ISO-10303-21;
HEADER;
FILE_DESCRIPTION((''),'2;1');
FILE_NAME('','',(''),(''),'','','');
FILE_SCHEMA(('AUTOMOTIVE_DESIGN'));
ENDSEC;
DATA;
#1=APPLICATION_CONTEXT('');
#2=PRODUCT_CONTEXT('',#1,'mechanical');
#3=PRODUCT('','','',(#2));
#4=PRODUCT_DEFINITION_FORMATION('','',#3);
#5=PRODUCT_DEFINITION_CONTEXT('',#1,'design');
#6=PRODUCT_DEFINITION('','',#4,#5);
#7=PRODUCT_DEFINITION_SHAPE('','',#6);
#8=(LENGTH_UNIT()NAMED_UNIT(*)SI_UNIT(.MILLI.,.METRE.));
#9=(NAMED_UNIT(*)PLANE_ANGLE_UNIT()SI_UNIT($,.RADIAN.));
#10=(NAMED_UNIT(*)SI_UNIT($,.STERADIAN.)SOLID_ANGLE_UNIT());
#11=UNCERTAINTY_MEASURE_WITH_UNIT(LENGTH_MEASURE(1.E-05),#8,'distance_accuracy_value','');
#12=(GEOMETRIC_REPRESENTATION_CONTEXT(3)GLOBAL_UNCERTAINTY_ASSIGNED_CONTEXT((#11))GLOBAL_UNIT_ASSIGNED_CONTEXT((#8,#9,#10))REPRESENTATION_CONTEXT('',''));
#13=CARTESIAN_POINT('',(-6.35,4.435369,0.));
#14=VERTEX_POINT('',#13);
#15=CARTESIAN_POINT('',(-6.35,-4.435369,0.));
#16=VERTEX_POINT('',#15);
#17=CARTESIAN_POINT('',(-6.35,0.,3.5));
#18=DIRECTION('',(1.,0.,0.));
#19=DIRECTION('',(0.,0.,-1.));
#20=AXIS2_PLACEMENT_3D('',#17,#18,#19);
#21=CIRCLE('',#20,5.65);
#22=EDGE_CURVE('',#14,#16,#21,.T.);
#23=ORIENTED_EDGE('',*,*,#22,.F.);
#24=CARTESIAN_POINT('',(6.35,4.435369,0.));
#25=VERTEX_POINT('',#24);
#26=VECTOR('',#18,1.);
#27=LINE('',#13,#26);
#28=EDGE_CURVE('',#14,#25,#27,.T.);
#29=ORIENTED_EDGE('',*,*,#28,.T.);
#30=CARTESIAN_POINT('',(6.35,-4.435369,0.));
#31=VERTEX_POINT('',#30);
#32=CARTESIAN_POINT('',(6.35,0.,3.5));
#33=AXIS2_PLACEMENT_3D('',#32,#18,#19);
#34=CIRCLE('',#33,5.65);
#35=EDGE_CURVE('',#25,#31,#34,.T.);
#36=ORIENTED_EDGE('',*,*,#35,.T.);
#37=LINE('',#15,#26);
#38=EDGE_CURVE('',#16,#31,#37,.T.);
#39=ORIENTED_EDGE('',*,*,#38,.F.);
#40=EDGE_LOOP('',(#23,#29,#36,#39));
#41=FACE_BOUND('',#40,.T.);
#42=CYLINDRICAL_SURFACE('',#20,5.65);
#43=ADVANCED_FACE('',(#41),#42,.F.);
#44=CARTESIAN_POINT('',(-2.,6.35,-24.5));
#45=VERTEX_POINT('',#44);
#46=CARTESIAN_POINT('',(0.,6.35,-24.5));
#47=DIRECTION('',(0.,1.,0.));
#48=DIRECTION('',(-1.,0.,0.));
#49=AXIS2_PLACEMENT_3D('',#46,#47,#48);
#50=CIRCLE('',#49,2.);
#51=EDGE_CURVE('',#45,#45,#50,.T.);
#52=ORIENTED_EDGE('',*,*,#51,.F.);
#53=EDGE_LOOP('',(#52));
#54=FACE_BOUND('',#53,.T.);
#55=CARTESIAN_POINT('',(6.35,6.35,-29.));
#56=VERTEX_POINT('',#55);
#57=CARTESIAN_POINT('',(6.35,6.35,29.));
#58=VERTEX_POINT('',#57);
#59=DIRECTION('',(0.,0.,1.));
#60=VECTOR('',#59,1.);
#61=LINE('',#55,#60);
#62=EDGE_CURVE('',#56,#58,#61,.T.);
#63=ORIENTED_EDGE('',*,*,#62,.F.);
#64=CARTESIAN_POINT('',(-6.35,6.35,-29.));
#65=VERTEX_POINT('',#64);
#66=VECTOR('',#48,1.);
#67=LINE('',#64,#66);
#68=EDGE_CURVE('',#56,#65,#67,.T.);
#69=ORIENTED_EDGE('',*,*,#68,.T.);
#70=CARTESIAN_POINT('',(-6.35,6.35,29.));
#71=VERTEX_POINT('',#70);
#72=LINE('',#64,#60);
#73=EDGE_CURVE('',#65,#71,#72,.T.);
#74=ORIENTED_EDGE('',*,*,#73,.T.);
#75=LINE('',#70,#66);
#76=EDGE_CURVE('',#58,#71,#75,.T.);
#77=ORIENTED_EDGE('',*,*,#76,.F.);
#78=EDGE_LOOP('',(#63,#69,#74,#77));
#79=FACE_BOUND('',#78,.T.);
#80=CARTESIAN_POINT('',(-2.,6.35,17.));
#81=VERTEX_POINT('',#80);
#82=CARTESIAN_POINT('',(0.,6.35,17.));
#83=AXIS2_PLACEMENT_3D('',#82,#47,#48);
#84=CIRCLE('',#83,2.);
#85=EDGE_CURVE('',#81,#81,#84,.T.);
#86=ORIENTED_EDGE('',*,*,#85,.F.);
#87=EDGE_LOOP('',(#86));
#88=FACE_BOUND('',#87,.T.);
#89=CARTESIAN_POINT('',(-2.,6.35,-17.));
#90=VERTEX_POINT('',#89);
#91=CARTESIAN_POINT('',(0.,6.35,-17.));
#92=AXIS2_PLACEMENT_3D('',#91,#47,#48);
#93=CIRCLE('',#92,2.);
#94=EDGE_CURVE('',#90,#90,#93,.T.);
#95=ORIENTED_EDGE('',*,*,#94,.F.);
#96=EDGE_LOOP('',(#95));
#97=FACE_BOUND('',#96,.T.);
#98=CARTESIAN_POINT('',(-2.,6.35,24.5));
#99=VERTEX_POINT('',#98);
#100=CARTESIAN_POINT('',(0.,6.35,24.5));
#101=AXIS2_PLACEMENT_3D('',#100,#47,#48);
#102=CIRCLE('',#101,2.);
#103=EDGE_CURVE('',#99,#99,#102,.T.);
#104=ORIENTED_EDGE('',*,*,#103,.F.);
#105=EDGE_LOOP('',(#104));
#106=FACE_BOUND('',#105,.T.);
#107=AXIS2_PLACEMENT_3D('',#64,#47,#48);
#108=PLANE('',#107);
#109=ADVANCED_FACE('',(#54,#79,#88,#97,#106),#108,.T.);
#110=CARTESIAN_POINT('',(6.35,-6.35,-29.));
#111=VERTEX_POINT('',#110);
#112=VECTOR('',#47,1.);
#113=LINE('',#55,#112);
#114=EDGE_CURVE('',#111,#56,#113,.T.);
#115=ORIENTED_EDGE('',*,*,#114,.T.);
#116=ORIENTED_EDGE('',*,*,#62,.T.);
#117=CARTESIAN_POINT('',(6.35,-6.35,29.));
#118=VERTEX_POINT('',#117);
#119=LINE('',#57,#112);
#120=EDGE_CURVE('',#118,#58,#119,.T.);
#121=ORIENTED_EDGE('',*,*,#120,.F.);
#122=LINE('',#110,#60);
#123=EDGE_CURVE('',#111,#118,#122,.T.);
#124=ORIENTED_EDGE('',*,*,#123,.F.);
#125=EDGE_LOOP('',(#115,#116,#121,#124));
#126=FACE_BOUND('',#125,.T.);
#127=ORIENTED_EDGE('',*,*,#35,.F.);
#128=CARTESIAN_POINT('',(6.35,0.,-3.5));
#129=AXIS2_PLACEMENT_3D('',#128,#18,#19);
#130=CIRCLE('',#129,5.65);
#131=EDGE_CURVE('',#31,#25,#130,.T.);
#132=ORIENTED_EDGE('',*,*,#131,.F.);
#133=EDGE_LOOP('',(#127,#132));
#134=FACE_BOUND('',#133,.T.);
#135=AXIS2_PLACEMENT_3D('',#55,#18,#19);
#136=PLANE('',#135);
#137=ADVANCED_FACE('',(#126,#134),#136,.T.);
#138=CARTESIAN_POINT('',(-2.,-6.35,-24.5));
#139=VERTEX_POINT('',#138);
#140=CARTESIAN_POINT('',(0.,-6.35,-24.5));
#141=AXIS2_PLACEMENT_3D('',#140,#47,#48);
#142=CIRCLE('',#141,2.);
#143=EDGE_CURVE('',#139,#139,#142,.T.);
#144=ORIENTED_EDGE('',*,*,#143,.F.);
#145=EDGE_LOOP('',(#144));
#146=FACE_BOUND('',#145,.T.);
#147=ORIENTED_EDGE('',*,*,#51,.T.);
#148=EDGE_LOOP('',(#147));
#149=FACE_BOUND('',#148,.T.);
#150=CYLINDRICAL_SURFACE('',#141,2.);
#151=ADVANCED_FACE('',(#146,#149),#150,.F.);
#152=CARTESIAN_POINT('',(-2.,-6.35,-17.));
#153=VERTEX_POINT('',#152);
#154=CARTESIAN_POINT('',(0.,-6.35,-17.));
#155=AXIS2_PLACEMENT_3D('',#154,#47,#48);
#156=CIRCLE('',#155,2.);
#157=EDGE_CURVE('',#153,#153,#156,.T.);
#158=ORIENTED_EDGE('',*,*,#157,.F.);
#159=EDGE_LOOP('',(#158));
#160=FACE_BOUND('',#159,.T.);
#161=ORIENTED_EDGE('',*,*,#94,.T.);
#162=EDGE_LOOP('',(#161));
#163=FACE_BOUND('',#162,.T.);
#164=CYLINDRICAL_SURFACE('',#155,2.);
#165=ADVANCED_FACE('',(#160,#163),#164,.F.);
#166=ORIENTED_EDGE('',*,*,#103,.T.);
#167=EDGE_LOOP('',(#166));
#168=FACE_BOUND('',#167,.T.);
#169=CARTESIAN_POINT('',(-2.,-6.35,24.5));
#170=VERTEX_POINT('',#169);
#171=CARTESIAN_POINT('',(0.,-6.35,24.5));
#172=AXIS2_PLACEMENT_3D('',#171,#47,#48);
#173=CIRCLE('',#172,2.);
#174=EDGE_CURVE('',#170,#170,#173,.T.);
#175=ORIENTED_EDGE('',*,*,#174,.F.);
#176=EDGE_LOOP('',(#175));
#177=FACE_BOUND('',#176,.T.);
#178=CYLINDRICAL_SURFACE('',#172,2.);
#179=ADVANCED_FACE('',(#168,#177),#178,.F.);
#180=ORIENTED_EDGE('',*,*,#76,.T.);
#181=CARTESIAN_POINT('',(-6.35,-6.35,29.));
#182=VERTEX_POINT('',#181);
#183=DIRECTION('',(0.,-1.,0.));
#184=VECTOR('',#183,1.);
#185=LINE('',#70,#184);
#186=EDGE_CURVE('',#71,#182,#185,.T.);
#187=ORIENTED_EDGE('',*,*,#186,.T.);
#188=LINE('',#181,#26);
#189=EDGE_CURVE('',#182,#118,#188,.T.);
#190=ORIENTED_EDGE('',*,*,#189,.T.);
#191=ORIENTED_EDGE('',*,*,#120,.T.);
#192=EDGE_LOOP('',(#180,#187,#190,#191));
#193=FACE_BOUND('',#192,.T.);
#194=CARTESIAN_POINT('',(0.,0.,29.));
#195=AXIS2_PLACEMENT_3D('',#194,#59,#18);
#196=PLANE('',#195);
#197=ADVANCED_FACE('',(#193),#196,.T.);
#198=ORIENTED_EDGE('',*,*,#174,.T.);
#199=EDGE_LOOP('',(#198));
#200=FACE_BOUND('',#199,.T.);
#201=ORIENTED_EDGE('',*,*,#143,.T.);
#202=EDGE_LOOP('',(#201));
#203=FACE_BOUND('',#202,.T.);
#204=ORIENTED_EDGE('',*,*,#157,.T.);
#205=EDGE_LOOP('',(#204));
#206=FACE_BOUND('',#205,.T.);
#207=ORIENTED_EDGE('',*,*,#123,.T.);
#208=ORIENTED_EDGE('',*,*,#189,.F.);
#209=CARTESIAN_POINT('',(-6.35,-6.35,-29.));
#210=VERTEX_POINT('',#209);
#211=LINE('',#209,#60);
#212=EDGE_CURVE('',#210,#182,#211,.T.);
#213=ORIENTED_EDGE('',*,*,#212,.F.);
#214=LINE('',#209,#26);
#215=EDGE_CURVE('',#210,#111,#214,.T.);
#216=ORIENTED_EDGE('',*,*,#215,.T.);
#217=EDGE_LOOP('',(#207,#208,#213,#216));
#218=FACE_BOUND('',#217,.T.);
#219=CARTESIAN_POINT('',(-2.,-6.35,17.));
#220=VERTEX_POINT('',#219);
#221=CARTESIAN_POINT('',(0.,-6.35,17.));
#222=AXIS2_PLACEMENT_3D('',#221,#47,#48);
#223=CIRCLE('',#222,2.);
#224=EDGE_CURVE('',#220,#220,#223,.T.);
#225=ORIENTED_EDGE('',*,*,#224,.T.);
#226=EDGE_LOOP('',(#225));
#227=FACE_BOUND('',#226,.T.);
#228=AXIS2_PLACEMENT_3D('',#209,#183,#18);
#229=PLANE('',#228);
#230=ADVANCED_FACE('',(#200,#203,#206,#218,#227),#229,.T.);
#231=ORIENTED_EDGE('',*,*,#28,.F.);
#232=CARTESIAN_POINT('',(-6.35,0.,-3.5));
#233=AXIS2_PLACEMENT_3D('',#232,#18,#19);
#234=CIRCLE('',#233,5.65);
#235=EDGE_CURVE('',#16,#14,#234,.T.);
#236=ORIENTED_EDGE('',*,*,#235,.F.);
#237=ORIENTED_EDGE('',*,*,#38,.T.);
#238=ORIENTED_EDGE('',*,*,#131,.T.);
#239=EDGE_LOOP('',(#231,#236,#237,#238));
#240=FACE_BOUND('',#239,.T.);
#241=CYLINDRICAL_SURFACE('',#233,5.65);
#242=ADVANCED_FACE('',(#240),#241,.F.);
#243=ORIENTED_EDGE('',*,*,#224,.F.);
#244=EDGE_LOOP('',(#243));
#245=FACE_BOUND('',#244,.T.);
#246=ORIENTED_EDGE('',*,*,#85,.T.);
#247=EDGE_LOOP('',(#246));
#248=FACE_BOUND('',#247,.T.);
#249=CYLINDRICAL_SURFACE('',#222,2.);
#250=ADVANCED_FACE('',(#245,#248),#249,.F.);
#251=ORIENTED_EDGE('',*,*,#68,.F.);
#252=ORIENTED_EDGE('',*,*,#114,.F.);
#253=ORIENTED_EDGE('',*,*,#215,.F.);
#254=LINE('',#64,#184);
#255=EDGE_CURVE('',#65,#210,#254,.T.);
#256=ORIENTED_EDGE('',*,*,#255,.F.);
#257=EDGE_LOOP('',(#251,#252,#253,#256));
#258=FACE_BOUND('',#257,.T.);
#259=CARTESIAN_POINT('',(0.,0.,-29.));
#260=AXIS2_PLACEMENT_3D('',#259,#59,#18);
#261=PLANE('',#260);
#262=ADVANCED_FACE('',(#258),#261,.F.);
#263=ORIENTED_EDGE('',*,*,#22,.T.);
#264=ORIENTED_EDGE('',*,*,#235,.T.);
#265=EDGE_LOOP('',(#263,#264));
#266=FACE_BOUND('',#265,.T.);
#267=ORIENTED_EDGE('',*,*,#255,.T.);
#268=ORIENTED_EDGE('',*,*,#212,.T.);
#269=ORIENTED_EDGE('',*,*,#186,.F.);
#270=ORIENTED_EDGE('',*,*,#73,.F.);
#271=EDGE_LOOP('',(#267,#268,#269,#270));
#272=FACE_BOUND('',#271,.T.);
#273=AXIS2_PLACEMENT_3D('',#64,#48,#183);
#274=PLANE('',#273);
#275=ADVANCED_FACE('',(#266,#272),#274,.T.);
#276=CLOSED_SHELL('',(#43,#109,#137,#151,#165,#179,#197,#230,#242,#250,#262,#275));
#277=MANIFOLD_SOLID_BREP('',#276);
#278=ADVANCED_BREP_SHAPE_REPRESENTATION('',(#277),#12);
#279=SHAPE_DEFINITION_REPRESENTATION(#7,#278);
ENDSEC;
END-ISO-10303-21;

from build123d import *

# Parameters (mm, degrees)
ESQUISSE1_W             = 12.7
ESQUISSE1_H             = 12.7
BOSS_EXTRU_1_DEPTH      = 29
ESQUISSE2_R             = 2
ENL_V_MAT_EXTRU_1_DEPTH = 13.7
ENL_V_MAT_EXTRU_2_DEPTH = 13.7


with BuildPart() as part:
    # Esquisse1 → Boss.-Extru.1 (new body, symmetric)
    with BuildSketch(Plane.XY):
        Rectangle(ESQUISSE1_W, ESQUISSE1_H)
    extrude(amount=BOSS_EXTRU_1_DEPTH, both=True)

    # Esquisse2 → Enlèv. mat.-Extru.1 (cut, through all)
    with BuildSketch(Plane(origin=(0, 6.35, 0), x_dir=(1, 0, 0), z_dir=(0, 1, 0))):
        with Locations((0, 24.5)):
            Circle(ESQUISSE2_R)
        with Locations((0, 17)):
            Circle(ESQUISSE2_R)
        with Locations((0, -17)):
            Circle(ESQUISSE2_R)
        with Locations((0, -24.5)):
            Circle(ESQUISSE2_R)
    extrude(amount=-ENL_V_MAT_EXTRU_1_DEPTH, mode=Mode.SUBTRACT)

    # Esquisse3 → Enlèv. mat.-Extru.2 (cut, through all)
    with BuildSketch(Plane(origin=(6.35, 0, 0), x_dir=(0, 0, -1), z_dir=(1, 0, 0))):
        with BuildLine():
            ThreePointArc((0, 4.435369207), (-9.15, 0), (0, -4.435369207))
            ThreePointArc((0, -4.435369207), (9.15, 0), (0, 4.435369207))
        make_face()
    extrude(amount=-ENL_V_MAT_EXTRU_2_DEPTH, mode=Mode.SUBTRACT)


solid = part.part
